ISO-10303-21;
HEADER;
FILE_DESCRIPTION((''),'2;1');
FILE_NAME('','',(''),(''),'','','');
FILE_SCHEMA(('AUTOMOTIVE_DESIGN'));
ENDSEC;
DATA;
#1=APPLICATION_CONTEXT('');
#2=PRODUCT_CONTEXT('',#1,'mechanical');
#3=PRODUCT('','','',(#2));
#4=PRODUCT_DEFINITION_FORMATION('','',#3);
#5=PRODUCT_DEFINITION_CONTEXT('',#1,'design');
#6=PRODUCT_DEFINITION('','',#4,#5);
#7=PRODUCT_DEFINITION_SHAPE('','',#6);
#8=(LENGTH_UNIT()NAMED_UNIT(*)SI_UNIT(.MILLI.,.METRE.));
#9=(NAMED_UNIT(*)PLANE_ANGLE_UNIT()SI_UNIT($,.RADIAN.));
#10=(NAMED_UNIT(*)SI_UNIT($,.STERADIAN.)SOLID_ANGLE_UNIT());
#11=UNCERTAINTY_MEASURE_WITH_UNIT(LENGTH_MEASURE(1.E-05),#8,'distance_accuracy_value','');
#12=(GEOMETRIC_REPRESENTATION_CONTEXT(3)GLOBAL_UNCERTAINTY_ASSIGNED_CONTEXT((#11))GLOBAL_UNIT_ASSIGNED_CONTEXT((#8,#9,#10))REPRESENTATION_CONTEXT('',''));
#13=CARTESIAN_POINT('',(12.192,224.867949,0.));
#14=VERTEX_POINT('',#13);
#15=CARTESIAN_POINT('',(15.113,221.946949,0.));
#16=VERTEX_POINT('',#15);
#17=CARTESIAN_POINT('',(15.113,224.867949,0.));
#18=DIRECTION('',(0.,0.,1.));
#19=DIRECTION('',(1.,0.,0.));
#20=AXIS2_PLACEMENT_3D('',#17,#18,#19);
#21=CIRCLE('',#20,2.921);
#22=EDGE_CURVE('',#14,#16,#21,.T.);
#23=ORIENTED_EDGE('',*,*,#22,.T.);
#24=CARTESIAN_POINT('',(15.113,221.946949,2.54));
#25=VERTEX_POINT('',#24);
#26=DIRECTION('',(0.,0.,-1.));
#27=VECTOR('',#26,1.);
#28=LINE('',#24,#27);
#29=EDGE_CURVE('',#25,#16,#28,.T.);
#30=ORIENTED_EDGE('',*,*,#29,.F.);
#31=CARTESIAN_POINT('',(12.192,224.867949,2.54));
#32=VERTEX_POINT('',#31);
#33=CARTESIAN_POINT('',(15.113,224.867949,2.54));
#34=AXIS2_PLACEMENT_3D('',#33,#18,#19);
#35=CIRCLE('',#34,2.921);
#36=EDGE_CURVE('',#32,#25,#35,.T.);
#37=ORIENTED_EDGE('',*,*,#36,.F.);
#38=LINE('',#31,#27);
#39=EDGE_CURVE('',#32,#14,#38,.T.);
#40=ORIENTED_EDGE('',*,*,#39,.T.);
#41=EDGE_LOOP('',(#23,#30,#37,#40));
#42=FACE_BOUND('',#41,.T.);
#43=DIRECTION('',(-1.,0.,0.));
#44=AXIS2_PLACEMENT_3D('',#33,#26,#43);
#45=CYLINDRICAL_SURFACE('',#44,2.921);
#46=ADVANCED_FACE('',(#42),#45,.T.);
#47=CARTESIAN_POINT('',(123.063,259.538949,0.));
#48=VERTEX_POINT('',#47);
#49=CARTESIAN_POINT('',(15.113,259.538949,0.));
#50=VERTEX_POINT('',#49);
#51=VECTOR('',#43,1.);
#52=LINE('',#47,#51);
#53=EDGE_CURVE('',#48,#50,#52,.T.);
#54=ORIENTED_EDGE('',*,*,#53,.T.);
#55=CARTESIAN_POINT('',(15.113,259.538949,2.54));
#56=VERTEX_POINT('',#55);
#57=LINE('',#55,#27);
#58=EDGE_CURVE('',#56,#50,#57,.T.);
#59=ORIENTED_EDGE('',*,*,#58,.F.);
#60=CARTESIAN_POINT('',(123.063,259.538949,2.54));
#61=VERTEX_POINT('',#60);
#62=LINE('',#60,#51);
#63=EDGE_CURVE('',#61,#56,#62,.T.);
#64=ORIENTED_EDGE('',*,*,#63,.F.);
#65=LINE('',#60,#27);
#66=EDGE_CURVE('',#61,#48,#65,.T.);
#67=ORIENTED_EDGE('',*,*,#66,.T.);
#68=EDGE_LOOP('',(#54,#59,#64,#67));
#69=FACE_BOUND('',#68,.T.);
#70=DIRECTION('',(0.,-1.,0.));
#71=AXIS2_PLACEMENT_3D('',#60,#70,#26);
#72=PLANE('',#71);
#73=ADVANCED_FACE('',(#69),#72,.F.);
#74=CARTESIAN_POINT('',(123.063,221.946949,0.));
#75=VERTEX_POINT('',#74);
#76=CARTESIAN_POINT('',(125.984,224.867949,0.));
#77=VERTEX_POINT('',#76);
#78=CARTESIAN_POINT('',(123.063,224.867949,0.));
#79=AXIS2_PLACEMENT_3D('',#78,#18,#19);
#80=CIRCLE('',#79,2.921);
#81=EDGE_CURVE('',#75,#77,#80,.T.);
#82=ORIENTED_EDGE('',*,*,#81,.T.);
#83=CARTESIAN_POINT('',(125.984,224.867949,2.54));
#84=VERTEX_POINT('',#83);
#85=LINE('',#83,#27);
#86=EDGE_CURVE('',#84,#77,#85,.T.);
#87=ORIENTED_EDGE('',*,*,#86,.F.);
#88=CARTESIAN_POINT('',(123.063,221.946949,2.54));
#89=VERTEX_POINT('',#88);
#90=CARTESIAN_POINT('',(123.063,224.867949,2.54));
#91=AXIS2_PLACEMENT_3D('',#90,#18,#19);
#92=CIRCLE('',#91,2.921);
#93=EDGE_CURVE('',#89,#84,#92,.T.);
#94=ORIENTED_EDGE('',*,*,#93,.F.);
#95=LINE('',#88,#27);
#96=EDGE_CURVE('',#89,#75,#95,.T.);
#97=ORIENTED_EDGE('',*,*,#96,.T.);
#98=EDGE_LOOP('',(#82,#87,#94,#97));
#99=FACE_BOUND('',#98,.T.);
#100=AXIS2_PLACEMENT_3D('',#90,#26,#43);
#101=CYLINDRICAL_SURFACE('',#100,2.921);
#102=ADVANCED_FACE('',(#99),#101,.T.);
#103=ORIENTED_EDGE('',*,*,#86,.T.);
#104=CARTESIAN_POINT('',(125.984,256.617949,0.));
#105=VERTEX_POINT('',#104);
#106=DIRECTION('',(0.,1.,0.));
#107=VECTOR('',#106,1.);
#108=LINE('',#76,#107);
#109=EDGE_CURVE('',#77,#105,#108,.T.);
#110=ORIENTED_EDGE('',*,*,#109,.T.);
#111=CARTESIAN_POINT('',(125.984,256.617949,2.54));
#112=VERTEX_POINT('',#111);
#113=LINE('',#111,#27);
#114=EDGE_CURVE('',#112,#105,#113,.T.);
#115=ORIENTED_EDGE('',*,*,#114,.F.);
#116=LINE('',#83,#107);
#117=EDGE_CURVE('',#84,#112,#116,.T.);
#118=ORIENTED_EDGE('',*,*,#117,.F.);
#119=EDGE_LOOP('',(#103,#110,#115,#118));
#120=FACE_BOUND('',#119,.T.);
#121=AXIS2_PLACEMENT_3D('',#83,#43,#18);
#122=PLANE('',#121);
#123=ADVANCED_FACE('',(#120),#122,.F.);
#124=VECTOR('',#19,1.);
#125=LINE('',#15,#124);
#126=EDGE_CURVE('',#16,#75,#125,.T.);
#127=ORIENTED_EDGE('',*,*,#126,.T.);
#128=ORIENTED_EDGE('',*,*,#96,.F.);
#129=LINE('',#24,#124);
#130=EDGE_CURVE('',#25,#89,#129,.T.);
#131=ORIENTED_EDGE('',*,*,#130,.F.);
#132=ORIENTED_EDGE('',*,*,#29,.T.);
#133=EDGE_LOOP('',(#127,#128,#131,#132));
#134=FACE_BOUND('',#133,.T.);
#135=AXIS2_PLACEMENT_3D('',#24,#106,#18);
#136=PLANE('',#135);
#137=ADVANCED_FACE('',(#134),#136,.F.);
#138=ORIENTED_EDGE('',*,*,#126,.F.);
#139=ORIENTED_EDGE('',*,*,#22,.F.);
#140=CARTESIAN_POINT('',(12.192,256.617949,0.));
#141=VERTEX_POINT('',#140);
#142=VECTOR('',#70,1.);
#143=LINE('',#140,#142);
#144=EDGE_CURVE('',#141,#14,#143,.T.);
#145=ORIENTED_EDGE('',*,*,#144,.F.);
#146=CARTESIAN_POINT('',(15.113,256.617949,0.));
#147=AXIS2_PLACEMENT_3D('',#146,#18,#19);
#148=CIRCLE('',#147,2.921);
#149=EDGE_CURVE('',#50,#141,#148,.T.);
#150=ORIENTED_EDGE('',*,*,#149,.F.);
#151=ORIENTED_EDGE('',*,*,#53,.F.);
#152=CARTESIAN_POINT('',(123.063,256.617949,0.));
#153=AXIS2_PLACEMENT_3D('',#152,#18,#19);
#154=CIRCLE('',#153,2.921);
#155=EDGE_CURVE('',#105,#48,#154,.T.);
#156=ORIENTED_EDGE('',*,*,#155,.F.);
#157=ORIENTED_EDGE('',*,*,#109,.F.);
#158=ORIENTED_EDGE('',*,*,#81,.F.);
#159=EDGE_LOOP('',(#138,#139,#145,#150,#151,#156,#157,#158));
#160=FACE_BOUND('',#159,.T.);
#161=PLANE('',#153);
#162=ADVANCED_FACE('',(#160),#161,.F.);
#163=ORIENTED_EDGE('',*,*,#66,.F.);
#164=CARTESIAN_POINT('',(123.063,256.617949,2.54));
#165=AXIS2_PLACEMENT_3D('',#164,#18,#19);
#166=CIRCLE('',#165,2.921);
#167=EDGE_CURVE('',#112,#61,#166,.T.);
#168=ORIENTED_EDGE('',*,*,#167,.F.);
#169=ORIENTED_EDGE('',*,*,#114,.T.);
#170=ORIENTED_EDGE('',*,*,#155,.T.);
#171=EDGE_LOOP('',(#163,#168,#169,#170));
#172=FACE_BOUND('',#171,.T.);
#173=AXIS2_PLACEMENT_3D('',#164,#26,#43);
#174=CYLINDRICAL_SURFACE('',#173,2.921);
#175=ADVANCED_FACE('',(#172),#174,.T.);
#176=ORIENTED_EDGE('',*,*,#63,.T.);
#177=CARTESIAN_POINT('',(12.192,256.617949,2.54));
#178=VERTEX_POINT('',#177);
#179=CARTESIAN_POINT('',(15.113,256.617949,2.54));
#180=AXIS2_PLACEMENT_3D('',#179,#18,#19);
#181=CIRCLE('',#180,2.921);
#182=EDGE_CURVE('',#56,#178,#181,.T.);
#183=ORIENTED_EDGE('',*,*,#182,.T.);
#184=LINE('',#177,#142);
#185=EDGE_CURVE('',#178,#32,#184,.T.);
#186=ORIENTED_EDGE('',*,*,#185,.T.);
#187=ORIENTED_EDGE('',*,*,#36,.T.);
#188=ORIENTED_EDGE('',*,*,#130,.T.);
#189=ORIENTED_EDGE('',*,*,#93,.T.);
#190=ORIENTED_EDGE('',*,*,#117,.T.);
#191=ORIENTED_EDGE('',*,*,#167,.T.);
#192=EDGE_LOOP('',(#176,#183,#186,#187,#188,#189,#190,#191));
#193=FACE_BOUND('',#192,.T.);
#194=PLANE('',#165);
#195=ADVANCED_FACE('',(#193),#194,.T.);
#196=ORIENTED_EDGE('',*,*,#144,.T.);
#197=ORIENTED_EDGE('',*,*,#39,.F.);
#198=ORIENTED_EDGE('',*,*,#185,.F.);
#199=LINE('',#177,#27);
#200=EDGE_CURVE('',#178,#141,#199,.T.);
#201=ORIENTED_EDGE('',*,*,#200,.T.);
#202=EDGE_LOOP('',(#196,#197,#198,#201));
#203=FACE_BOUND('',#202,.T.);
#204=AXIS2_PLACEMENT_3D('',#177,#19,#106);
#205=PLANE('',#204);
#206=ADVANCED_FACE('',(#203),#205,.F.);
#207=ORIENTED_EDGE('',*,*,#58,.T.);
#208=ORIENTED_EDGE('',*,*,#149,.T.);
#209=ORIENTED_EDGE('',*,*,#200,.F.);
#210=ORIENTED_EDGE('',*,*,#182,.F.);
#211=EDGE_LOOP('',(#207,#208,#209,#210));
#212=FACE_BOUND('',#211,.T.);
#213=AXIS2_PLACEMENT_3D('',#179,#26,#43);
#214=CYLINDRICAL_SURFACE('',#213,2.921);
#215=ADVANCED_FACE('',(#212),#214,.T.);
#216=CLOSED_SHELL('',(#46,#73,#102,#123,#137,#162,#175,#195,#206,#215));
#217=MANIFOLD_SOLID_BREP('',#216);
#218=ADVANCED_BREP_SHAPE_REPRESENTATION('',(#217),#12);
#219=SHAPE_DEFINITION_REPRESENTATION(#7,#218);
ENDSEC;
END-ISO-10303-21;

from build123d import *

# Parameters (mm, degrees)
BOSS_EXTRUDE1_DEPTH = 2.54


with BuildPart() as part:
    # Sketch2 → Boss-Extrude1 (new body)
    with BuildSketch(Plane.XY):
        with BuildLine():
            Line((123.063, 259.538949367), (15.113, 259.538949367))
            ThreePointArc((15.113, 259.538949367), (13.047541092, 258.683408274), (12.192, 256.617949367))
            Line((12.192, 256.617949367), (12.192, 224.867949367))
            ThreePointArc((12.192, 224.867949367), (13.047541092, 222.802490459), (15.113, 221.946949367))
            Line((15.113, 221.946949367), (123.063, 221.946949367))
            ThreePointArc((123.063, 221.946949367), (125.128458908, 222.802490459), (125.984, 224.867949367))
            Line((125.984, 224.867949367), (125.984, 256.617949367))
            ThreePointArc((125.984, 256.617949367), (125.128458908, 258.683408274), (123.063, 259.538949367))
        make_face()
    extrude(amount=BOSS_EXTRUDE1_DEPTH)


solid = part.part
